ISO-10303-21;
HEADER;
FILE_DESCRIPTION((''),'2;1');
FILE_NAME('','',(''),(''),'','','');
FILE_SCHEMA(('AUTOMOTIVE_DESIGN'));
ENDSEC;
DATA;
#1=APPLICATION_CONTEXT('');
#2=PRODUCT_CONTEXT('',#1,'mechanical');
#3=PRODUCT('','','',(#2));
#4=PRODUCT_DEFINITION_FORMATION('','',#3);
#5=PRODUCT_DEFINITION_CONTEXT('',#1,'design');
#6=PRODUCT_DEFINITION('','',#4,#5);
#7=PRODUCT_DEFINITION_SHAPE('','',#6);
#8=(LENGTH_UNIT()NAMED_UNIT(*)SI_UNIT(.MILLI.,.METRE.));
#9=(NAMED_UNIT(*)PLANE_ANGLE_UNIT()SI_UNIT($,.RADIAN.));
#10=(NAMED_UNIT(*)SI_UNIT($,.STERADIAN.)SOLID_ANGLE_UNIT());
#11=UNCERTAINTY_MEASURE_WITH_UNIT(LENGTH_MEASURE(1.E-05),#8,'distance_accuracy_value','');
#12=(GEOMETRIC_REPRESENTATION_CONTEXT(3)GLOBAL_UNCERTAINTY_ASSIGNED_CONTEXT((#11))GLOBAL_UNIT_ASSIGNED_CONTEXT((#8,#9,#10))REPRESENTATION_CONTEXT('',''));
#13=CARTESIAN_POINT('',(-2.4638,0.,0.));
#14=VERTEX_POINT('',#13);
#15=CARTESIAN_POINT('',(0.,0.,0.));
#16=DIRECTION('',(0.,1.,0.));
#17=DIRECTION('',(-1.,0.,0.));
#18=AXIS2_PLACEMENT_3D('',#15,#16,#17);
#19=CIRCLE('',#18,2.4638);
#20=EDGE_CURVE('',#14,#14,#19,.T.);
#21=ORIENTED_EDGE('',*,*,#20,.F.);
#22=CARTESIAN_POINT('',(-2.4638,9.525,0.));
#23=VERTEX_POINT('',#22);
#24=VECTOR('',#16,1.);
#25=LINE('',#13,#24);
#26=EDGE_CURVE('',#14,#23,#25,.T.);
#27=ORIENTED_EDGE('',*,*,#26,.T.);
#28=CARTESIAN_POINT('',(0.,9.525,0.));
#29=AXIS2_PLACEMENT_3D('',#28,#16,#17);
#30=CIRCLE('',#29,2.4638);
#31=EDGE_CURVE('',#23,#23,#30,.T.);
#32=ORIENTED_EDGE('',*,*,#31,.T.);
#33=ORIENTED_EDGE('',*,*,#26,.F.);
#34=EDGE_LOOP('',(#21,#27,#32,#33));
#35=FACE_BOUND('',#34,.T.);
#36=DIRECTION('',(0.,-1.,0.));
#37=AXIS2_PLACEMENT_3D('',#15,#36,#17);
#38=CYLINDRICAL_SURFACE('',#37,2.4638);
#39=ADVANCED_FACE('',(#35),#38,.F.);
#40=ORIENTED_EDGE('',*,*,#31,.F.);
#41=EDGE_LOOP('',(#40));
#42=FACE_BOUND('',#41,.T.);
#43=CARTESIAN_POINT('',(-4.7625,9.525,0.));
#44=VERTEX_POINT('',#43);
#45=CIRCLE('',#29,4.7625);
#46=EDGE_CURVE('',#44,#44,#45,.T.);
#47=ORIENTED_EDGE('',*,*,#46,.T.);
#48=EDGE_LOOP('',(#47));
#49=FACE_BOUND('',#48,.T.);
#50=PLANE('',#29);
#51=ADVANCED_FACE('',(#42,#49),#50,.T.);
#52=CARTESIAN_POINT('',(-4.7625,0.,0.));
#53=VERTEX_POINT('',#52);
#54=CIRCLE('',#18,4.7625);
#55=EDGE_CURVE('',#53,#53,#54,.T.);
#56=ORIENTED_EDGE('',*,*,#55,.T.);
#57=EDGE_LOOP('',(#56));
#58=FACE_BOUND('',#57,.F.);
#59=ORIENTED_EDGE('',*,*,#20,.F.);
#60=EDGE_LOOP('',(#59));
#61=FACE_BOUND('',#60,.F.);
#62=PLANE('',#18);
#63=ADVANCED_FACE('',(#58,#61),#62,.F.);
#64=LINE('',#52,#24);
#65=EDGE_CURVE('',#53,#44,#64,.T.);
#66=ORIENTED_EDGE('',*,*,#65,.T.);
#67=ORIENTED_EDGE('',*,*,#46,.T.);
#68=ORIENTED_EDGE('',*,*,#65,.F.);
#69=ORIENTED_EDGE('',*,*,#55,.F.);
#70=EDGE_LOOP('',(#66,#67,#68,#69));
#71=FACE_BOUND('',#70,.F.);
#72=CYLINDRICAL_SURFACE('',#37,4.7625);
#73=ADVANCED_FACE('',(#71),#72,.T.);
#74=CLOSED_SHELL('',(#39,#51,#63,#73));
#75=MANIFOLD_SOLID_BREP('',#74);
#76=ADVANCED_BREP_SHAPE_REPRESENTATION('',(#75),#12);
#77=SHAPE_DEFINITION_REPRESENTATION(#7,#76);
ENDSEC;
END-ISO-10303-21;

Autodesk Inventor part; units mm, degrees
ref_plane "YZ Plane" through (0, 0, 0) normal (1, 0, 0) x (0, 1, 0)
ref_plane "XZ Plane" through (0, 0, 0) normal (0, 1, 0) x (-1, 0, 0)
ref_plane "XY Plane" through (0, 0, 0) normal (0, 0, 1) x (1, 0, 0)
sketch "Sketch1" plane through (0, 0, 0) normal (0, 1, 0) x (-1, 0, 0)
  circle A0 centre (0, 0) radius 2.4638
  circle A1 centre (0, 0) radius 4.7625
  dimension "d0" = 4.9276
  dimension "d1" = 9.525
extrude "Extrusion1" add sketch "Sketch1" along normal blind 9.525
properties part number ".375 in Grey Spacer" material "Nylon 6"
